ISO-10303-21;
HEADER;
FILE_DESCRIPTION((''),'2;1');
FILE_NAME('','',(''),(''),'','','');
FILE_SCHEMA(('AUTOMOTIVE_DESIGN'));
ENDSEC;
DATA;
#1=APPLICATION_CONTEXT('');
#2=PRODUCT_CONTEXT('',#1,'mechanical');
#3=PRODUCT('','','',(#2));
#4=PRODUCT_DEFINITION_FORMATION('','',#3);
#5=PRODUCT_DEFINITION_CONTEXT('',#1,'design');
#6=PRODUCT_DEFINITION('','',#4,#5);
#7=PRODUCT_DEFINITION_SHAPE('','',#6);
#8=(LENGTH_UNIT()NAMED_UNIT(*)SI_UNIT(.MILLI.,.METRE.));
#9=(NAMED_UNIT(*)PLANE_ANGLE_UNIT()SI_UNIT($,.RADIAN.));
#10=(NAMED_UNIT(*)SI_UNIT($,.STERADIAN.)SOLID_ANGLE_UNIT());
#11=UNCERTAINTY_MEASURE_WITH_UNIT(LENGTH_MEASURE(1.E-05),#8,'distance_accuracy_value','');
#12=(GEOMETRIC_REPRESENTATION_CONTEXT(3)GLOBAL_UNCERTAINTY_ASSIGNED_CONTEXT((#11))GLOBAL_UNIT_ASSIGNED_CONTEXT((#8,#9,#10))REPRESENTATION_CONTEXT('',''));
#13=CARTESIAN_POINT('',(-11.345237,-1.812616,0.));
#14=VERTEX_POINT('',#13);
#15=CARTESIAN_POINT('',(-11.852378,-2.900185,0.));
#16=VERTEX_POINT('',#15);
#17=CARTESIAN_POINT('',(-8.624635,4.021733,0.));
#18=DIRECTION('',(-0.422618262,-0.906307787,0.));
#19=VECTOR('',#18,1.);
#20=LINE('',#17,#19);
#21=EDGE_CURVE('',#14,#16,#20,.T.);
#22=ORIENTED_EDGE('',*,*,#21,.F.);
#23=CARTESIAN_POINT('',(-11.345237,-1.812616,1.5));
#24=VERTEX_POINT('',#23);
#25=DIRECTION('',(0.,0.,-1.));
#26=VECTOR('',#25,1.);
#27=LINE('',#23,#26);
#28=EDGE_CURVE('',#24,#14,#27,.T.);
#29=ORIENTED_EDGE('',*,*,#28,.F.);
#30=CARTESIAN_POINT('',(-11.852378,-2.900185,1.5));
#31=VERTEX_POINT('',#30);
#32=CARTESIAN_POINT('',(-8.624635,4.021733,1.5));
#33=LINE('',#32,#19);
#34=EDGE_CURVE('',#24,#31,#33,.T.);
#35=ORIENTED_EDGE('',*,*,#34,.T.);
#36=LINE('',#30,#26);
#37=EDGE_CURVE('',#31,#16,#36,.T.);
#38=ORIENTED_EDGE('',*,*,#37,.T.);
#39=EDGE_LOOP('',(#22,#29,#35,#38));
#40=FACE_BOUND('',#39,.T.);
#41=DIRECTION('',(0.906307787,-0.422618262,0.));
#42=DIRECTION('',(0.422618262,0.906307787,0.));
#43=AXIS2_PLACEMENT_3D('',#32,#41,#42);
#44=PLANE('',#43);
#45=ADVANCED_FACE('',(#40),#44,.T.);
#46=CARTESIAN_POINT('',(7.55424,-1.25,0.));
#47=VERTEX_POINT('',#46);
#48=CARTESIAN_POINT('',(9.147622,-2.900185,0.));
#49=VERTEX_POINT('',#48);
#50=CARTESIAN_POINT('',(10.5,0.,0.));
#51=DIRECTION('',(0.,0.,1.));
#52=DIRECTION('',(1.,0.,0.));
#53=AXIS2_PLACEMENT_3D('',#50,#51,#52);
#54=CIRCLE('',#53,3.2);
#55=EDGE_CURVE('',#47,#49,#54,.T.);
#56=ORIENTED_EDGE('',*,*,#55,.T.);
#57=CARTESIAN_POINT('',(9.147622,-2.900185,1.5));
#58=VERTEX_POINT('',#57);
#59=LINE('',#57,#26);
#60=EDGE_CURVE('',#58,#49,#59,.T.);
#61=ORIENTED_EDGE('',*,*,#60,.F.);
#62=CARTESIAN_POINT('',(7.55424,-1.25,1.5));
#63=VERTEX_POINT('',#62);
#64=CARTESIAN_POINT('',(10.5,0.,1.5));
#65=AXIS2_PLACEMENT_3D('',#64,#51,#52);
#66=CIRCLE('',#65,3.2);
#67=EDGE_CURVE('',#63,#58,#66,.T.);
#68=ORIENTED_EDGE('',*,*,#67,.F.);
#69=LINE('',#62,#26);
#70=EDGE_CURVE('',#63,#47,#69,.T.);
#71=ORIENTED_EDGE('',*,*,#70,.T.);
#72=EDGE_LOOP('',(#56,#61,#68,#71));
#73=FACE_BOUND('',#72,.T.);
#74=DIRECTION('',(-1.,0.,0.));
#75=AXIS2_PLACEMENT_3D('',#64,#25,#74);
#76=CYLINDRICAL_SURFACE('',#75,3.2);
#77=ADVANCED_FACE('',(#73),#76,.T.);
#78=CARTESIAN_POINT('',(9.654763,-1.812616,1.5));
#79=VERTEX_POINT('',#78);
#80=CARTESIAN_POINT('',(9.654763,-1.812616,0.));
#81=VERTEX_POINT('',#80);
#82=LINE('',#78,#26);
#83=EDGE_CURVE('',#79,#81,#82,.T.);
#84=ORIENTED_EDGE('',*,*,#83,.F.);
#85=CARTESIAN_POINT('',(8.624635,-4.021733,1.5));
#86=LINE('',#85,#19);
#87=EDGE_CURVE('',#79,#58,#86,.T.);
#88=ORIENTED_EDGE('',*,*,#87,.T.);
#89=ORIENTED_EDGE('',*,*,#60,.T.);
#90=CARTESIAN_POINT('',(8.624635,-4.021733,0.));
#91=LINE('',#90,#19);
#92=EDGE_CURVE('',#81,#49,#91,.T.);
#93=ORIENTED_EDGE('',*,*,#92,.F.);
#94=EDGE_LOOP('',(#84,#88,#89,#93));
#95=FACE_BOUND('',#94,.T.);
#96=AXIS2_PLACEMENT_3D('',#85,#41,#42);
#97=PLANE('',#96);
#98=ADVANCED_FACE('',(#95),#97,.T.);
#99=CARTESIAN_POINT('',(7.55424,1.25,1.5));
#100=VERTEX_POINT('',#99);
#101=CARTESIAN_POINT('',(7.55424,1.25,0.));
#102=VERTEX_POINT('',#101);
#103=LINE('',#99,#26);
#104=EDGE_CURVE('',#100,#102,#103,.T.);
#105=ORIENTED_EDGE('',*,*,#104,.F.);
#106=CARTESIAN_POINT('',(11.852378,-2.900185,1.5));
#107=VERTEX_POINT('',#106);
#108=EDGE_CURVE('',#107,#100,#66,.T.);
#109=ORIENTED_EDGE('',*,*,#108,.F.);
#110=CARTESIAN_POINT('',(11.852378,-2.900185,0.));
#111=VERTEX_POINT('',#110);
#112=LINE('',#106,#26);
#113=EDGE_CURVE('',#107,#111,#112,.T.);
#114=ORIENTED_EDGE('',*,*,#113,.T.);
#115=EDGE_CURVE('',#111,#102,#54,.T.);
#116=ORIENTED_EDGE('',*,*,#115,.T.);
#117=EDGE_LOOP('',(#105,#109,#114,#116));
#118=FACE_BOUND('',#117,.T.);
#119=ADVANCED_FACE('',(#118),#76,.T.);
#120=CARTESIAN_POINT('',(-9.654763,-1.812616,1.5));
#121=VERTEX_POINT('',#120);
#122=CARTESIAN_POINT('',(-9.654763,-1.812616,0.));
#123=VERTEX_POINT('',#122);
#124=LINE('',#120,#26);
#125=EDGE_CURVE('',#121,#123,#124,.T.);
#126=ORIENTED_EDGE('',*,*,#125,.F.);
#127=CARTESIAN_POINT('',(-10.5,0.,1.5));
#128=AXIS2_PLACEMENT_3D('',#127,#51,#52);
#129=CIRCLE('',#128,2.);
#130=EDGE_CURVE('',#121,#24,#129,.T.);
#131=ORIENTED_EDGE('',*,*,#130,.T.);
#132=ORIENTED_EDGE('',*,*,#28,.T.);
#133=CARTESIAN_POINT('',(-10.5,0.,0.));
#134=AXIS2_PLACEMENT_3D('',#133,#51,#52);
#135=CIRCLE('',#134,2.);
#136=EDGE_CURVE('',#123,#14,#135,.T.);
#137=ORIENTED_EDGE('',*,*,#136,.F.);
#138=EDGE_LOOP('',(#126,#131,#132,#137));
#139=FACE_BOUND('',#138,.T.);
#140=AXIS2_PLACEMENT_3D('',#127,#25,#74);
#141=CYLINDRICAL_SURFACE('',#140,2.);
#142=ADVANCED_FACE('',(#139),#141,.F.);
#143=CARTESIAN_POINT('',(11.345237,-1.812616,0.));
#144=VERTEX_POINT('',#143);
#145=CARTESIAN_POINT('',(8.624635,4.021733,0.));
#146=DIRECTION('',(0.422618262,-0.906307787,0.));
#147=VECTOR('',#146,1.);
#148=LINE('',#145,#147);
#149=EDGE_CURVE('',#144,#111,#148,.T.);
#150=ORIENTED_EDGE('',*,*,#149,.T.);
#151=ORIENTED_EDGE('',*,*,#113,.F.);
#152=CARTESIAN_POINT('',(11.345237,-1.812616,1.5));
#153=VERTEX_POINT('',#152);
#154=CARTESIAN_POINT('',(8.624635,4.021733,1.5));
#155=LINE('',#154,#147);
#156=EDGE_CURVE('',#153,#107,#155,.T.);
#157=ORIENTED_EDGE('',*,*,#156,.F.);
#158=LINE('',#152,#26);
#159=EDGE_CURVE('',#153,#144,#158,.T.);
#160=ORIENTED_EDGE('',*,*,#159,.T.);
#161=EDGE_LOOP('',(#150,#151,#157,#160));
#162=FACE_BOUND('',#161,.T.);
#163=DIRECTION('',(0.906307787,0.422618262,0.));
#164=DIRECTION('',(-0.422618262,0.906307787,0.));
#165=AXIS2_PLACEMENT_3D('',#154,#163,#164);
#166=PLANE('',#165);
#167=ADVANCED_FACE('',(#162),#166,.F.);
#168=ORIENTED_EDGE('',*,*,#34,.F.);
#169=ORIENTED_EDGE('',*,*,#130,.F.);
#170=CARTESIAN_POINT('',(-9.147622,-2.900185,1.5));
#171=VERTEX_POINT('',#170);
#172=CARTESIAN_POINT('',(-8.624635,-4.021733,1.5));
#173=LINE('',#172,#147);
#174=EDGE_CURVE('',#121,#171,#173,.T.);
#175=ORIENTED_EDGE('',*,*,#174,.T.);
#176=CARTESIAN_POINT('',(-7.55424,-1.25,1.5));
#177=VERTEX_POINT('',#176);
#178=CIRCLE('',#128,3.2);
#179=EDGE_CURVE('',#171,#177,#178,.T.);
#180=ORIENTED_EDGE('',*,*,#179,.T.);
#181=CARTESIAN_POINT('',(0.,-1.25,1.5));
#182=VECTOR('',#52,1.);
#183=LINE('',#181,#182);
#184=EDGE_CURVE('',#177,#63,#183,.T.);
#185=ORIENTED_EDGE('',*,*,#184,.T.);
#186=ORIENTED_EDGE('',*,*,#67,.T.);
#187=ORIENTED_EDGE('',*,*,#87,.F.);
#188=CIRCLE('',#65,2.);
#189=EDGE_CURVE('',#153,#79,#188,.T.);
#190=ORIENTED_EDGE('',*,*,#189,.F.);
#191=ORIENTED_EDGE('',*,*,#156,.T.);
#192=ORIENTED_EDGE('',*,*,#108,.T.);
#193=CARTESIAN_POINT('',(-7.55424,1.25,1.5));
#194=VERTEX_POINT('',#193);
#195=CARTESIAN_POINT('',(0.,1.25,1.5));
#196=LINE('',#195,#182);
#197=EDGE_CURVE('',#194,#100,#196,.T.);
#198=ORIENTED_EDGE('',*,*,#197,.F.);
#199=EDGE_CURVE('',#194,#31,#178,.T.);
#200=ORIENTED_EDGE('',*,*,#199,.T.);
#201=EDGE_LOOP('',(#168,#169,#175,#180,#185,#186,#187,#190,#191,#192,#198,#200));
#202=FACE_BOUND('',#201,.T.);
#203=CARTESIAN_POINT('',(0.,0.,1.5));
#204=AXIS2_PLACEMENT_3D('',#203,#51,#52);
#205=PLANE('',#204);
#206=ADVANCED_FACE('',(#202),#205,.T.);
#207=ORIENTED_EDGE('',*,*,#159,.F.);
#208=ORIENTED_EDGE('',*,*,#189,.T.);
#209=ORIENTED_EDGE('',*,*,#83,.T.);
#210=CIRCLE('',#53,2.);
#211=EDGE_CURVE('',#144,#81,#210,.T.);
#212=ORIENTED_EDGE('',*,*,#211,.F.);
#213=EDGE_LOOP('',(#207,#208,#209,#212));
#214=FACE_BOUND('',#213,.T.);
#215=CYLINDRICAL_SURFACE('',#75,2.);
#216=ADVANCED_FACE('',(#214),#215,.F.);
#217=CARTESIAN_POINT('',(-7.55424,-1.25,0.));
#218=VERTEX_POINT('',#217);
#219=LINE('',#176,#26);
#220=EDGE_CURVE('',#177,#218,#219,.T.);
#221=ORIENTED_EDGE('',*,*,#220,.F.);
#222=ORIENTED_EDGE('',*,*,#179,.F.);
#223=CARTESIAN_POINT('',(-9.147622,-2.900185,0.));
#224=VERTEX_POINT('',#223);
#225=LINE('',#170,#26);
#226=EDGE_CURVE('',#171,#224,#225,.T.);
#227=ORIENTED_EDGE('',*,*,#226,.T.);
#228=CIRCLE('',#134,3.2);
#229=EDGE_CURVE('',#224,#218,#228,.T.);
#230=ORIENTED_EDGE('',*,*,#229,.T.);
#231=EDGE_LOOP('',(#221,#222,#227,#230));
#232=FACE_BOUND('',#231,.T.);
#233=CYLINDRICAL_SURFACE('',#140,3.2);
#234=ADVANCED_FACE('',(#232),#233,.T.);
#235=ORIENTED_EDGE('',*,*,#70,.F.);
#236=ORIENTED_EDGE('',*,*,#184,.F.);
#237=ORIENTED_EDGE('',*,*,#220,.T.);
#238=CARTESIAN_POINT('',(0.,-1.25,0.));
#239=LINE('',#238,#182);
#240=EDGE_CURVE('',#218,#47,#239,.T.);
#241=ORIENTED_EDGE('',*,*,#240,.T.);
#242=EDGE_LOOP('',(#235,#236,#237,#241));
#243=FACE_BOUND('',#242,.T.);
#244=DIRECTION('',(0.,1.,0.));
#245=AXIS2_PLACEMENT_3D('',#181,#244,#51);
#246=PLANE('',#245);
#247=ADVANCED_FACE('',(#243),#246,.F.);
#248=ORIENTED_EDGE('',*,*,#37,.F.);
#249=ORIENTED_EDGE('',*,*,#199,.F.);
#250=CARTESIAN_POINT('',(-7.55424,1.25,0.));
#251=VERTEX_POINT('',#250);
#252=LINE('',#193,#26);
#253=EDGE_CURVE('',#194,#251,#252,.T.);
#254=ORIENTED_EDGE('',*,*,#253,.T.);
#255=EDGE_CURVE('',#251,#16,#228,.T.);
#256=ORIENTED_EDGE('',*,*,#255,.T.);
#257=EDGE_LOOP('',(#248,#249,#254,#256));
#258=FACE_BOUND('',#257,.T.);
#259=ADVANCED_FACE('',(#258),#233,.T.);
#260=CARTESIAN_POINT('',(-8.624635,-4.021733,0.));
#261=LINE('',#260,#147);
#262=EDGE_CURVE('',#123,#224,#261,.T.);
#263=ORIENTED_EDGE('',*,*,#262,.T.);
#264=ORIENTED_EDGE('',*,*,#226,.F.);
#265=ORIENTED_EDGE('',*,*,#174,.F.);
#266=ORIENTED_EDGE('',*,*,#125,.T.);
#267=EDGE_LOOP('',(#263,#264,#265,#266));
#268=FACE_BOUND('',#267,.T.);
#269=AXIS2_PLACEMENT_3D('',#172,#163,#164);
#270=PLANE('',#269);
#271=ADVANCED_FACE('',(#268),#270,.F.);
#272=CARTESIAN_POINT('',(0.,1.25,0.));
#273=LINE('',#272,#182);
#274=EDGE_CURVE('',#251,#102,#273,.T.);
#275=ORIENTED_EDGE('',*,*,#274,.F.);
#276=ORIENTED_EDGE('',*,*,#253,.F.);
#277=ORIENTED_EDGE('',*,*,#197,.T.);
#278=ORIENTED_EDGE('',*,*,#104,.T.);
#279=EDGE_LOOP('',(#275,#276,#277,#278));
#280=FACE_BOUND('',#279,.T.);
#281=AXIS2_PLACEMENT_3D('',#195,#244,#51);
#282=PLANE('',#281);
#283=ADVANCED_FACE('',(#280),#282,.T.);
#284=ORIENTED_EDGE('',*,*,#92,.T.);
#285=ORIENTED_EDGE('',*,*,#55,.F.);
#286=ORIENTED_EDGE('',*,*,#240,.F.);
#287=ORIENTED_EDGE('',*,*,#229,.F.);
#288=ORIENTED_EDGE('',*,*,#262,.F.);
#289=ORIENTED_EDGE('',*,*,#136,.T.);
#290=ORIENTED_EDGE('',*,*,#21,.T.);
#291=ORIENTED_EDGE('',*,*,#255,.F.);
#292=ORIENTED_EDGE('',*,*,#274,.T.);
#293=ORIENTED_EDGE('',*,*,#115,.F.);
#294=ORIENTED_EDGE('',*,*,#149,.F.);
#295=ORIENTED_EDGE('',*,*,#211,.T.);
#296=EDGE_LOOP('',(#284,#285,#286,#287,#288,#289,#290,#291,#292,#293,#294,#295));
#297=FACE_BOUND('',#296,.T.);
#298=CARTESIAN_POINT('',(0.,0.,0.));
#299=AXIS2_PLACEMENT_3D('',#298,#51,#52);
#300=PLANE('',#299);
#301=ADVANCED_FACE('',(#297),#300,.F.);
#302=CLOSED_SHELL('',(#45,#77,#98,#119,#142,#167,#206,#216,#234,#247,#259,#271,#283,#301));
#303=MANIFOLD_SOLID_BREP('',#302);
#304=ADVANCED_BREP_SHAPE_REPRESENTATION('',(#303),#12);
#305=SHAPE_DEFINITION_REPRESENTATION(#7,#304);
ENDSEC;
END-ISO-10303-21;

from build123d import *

# Parameters (mm, degrees)
BOSS_EXTRU_1_DEPTH = 1.5


with BuildPart() as part:
    # Esquisse1 → Boss.-Extru.1 (new body)
    with BuildSketch(Plane.XY):
        with BuildLine():
            Line((-11.852378438, -2.900184919), (-11.345236523, -1.812615574))
            ThreePointArc((-11.345236523, -1.812615574), (-12.072600453, 1.235689207), (-8.9387505, 1.25))
            Line((-8.9387505, 1.25), (-7.554240336, 1.25))
            ThreePointArc((-7.554240336, 1.25), (-12.722774088, 2.302015498), (-11.852378438, -2.900184919))
        make_face()
        with BuildLine():
            ThreePointArc((-8.5, 0), (-8.612872686, -0.662382443), (-8.9387505, -1.25))
            Line((-8.9387505, -1.25), (-7.554240336, -1.25))
            ThreePointArc((-7.554240336, -1.25), (-7.364204174, -0.637796627), (-7.3, 0))
            ThreePointArc((-7.3, 0), (-7.364204174, 0.637796627), (-7.554240336, 1.25))
            Line((-7.554240336, 1.25), (-8.9387505, 1.25))
            ThreePointArc((-8.9387505, 1.25), (-8.612872686, 0.662382443), (-8.5, 0))
        make_face()
        with BuildLine():
            ThreePointArc((-7.3, 0), (-7.364204174, -0.637796627), (-7.554240336, -1.25))
            Line((-7.554240336, -1.25), (7.554240336, -1.25))
            ThreePointArc((7.554240336, -1.25), (7.3, 0), (7.554240336, 1.25))
            Line((7.554240336, 1.25), (-7.554240336, 1.25))
            ThreePointArc((-7.554240336, 1.25), (-7.364204174, 0.637796627), (-7.3, 0))
        make_face()
        with BuildLine():
            ThreePointArc((7.554240336, 1.25), (7.3, 0), (7.554240336, -1.25))
            Line((7.554240336, -1.25), (8.9387505, -1.25))
            ThreePointArc((8.9387505, -1.25), (8.5, 0), (8.9387505, 1.25))
            Line((8.9387505, 1.25), (7.554240336, 1.25))
        make_face()
        with BuildLine():
            ThreePointArc((13.7, 0), (11.137796627, 3.135795826), (7.554240336, 1.25))
            Line((7.554240336, 1.25), (8.9387505, 1.25))
            ThreePointArc((8.9387505, 1.25), (11.162382443, 1.887127314), (12.5, 0))
            ThreePointArc((12.5, 0), (12.186782892, -1.074599217), (11.345236523, -1.812615574))
            Line((11.345236523, -1.812615574), (11.852378438, -2.900184919))
            ThreePointArc((11.852378438, -2.900184919), (13.198852627, -1.719358747), (13.7, 0))
        make_face()
        with BuildLine():
            ThreePointArc((-8.9387505, -1.25), (-9.264310793, -1.572600453), (-9.654763477, -1.812615574))
            Line((-9.654763477, -1.812615574), (-9.147621562, -2.900184919))
            ThreePointArc((-9.147621562, -2.900184919), (-8.197984502, -2.222774088), (-7.554240336, -1.25))
            Line((-7.554240336, -1.25), (-8.9387505, -1.25))
        make_face()
        with BuildLine():
            Line((8.9387505, -1.25), (7.554240336, -1.25))
            ThreePointArc((7.554240336, -1.25), (8.197984502, -2.222774088), (9.147621562, -2.900184919))
            Line((9.147621562, -2.900184919), (9.654763477, -1.812615574))
            ThreePointArc((9.654763477, -1.812615574), (9.264310793, -1.572600453), (8.9387505, -1.25))
        make_face()
    extrude(amount=BOSS_EXTRU_1_DEPTH)


solid = part.part
